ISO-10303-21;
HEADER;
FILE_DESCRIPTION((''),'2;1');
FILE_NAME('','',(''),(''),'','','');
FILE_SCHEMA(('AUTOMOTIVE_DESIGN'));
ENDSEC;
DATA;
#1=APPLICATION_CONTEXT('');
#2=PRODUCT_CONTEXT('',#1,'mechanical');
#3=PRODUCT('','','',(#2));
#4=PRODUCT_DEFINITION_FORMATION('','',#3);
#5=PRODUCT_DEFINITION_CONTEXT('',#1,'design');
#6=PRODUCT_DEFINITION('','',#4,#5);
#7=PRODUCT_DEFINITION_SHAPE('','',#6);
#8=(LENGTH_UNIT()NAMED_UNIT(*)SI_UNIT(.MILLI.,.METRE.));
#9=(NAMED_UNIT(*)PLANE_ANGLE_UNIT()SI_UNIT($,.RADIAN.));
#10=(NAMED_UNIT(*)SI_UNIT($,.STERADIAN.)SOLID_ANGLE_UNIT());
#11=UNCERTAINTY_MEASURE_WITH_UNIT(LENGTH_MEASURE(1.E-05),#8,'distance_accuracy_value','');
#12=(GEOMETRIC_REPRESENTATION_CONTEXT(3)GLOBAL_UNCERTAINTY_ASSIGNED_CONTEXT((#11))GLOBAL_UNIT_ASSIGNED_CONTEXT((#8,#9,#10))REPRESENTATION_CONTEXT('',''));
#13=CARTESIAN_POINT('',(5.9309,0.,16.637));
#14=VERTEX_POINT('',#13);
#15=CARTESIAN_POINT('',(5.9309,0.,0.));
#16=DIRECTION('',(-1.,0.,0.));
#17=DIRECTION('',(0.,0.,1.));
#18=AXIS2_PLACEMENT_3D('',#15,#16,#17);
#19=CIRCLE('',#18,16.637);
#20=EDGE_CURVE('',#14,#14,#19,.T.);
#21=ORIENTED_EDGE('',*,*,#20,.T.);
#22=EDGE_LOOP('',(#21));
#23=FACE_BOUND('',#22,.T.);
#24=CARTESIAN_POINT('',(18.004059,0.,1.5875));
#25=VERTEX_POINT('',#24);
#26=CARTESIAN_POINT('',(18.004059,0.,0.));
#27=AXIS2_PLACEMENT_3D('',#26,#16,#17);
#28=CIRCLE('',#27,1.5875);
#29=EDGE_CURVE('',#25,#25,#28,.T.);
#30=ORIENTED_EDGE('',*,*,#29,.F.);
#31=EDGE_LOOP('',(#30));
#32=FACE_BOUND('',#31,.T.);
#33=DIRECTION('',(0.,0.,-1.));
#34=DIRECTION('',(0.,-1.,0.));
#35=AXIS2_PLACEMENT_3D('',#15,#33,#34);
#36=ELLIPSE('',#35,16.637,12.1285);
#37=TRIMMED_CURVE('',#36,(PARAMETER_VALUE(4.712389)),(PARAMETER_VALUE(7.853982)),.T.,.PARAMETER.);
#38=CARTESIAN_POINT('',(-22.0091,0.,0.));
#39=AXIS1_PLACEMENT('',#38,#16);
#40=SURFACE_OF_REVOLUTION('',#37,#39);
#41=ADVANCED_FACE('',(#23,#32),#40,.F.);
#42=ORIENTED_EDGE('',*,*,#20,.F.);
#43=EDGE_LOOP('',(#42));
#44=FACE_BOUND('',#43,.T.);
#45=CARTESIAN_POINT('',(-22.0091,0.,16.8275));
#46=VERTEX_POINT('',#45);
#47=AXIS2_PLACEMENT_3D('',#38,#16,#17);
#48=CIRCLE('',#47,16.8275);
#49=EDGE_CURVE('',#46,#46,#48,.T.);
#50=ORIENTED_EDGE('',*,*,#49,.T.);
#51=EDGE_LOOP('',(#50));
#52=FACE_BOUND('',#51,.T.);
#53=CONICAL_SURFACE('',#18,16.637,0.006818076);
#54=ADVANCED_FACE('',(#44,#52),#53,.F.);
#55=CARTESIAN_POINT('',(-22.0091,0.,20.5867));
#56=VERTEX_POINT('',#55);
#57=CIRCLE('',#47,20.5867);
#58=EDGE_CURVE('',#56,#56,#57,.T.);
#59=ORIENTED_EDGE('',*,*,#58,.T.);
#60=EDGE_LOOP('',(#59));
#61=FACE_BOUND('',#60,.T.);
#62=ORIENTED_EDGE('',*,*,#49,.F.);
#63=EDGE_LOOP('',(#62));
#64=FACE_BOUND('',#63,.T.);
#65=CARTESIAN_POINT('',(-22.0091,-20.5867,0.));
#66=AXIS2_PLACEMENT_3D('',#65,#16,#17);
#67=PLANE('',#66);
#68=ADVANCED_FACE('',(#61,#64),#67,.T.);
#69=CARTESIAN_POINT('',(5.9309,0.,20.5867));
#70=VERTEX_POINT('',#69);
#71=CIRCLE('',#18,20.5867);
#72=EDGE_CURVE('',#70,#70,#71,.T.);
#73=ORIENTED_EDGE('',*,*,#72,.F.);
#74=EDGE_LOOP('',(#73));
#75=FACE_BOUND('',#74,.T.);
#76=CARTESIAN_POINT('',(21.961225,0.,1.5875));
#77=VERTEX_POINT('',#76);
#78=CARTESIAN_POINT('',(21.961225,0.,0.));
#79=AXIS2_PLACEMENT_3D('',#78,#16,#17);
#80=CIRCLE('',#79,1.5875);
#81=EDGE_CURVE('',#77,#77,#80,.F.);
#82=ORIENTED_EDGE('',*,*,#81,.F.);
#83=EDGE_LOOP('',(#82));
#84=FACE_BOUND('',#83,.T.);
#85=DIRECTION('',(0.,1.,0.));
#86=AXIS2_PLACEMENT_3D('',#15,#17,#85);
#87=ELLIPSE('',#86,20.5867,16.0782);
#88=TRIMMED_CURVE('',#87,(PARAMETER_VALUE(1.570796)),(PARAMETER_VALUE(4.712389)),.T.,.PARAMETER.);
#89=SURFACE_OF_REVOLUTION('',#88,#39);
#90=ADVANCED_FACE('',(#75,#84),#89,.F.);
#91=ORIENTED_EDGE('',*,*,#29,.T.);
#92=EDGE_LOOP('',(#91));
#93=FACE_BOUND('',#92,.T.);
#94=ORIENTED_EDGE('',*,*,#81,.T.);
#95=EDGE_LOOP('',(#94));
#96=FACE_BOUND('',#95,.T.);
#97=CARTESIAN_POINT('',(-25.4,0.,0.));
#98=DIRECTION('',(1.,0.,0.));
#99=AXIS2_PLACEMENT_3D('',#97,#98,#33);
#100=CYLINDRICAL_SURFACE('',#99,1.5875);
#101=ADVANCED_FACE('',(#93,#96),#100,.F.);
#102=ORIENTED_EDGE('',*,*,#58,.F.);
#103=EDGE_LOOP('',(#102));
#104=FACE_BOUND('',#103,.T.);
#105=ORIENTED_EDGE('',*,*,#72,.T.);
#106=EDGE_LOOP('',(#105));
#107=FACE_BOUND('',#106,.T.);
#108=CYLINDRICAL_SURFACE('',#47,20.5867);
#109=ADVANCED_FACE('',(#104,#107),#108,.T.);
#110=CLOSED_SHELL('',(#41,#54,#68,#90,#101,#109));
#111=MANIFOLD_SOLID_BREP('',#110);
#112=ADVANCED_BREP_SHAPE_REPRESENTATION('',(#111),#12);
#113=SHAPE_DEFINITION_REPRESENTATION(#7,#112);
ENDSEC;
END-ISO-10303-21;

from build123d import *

# Parameters (mm, degrees)
SKETCH2_R          = 1.5875
CUT_EXTRUDE2_DEPTH = 25.4


with BuildPart() as part:
    # Sketch1 → Revolve1 (revolve)
    with BuildSketch(Plane.XY, mode=Mode.PRIVATE) as revolve1_sk:
        with BuildLine():
            Line((18.0594, 0), (22.0091, 0))
            add(Edge.make_bspline(
                [(5.9309, -20.5867), (22.0091, -20.5867), (22.0091, 0)],
                knots=[3.141592654, 3.141592654, 3.141592654, 4.71238898, 4.71238898, 4.71238898], degree=2, weights=[1, 0.707106781, 1]))
            Line((5.9309, -20.5867), (-22.0091, -20.5867))
            Line((-22.0091, -20.5867), (-22.0091, -16.8275))
            Line((-22.0091, -16.8275), (5.9309, -16.637))
            add(Edge.make_bspline(
                [(5.9309, -16.637), (18.0594, -16.637), (18.0594, 0)],
                knots=[0, 0, 0, 1.570796327, 1.570796327, 1.570796327], degree=2, weights=[1, 0.707106781, 1]))
        make_face()
    revolve(revolve1_sk.sketch.rotate(Axis((-22.0091, 0, 0), (1, 0, 0)), 270), axis=Axis((-22.0091, 0, 0), (1, 0, 0)))

    # Sketch2 → Cut-Extrude2 (cut, symmetric)
    with BuildSketch(Plane(origin=(0, 0, 0), x_dir=(0, 0, -1), z_dir=(1, 0, 0))):
        with Locations(Location((0, 0, 0), (0, 0, 180))):
            Circle(SKETCH2_R)
    extrude(amount=CUT_EXTRUDE2_DEPTH, both=True, mode=Mode.SUBTRACT)


solid = part.part
